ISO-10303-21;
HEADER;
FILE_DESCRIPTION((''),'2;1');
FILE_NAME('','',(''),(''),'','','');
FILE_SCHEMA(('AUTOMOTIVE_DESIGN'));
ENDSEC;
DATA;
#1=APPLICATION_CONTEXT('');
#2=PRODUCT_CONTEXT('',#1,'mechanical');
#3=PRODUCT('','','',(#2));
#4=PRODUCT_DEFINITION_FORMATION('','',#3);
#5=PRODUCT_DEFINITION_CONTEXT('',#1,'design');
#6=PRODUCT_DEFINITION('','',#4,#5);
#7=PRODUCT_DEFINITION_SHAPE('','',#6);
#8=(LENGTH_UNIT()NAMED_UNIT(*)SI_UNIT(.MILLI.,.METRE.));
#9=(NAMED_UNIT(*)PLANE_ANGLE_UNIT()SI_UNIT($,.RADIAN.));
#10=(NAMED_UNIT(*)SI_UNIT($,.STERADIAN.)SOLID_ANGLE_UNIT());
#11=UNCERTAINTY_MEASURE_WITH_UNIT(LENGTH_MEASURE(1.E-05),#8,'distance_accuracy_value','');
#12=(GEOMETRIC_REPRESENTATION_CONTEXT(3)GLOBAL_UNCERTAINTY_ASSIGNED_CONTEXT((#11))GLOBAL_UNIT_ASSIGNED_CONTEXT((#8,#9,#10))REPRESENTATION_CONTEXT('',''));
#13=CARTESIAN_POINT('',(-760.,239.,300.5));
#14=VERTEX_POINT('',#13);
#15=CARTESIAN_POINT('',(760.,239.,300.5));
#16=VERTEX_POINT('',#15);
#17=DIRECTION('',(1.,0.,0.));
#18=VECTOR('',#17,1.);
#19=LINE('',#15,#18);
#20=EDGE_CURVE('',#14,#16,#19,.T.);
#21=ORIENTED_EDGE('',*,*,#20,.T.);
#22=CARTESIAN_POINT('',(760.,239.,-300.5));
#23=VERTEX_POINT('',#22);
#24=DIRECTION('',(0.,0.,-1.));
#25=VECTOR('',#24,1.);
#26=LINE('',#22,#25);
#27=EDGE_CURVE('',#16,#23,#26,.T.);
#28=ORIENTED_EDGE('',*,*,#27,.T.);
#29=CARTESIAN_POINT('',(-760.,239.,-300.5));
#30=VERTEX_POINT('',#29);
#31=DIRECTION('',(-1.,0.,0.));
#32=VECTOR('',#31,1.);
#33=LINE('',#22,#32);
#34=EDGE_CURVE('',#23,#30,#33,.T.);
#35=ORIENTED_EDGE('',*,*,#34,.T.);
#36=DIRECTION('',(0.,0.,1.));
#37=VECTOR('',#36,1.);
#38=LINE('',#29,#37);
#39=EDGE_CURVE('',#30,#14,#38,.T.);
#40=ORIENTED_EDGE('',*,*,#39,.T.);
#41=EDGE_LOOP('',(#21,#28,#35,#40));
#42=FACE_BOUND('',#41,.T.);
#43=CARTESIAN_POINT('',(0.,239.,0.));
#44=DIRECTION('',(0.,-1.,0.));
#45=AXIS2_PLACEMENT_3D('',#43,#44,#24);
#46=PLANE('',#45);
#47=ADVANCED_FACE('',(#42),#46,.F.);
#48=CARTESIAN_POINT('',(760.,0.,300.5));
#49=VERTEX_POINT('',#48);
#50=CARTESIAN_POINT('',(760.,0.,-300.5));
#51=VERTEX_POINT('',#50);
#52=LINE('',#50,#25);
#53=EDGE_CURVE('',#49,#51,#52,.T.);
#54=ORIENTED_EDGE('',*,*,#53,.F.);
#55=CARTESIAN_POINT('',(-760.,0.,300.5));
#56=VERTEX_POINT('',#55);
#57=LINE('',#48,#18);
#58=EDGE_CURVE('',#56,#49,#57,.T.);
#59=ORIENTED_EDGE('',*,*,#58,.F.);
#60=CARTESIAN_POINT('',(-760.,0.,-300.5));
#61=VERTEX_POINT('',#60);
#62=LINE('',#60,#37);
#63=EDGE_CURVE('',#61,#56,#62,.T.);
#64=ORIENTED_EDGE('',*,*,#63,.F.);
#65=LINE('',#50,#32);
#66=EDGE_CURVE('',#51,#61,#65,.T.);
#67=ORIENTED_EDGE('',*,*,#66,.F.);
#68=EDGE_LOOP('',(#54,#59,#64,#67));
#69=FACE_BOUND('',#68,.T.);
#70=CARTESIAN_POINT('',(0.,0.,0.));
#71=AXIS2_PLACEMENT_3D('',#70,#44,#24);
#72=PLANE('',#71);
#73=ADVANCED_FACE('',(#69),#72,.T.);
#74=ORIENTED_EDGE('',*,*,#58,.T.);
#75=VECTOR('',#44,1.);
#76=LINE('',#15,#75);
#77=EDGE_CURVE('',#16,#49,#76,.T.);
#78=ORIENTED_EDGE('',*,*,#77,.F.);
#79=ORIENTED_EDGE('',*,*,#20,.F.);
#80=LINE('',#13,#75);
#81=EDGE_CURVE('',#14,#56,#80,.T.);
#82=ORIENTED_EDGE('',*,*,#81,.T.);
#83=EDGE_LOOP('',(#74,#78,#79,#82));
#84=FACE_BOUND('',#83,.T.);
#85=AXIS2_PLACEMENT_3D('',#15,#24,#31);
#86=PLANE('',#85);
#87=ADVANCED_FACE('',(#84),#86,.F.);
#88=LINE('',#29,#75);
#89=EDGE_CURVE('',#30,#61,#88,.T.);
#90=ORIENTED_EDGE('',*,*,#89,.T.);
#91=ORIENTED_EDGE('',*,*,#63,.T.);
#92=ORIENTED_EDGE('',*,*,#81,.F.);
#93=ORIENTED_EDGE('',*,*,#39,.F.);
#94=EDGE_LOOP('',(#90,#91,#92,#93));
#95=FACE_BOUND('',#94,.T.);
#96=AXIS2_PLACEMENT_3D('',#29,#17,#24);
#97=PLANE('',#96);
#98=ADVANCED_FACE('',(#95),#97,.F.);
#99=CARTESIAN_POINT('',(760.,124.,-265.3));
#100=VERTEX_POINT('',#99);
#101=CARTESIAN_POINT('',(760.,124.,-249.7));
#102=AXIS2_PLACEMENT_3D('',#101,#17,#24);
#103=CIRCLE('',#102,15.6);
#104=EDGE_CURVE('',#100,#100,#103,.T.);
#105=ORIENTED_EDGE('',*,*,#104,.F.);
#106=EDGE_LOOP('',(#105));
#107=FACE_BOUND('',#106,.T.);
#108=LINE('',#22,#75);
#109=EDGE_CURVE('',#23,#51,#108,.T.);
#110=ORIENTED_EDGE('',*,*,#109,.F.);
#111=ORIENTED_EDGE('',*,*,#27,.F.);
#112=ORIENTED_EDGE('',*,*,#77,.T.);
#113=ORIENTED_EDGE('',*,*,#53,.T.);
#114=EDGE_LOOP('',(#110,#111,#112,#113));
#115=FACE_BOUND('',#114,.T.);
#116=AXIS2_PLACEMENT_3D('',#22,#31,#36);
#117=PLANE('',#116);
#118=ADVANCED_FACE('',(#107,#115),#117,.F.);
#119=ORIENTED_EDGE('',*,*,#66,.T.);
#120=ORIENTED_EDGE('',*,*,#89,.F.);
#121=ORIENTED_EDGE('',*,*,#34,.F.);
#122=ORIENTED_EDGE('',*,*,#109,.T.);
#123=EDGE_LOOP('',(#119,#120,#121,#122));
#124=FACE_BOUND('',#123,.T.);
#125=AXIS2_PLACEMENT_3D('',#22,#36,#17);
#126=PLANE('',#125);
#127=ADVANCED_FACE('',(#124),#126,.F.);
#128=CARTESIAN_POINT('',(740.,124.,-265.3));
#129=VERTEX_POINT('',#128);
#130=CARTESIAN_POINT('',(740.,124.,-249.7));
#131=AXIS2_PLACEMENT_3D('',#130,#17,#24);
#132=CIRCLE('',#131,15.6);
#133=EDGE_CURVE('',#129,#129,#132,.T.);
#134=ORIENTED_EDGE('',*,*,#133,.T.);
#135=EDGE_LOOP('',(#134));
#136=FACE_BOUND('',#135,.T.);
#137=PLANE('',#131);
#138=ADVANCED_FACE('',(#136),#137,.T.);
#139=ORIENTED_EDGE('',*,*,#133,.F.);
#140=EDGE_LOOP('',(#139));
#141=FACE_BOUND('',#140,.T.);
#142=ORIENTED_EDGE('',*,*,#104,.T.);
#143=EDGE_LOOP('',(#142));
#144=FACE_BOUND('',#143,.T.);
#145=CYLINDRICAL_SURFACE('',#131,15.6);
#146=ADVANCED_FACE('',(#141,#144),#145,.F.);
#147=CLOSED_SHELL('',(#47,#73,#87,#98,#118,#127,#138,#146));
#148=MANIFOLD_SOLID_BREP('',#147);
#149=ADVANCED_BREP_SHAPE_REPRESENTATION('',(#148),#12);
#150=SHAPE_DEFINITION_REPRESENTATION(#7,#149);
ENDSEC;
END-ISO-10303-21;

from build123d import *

# Parameters (mm, degrees)
SKETCH_1_W          = 1520
SKETCH_1_H          = 601
EXTRUDE_1_DEPTH     = 239
SKETCH_2_R          = 15.6
CUT_EXTRUDE_1_DEPTH = 20


with BuildPart() as part:
    # 스케치1 → 보스-돌출1 (new body)
    with BuildSketch(Plane(origin=(0, 0, 0), x_dir=(1, 0, 0), z_dir=(0, 1, 0))):
        Rectangle(SKETCH_1_W, SKETCH_1_H)
    extrude(amount=EXTRUDE_1_DEPTH)

    # 스케치2 → 컷-돌출1 (cut)
    with BuildSketch(Plane(origin=(760, 0, 0), x_dir=(0, 0, -1), z_dir=(1, 0, 0))):
        with Locations((249.7, 124)):
            Circle(SKETCH_2_R)
    extrude(amount=-CUT_EXTRUDE_1_DEPTH, mode=Mode.SUBTRACT)


solid = part.part
